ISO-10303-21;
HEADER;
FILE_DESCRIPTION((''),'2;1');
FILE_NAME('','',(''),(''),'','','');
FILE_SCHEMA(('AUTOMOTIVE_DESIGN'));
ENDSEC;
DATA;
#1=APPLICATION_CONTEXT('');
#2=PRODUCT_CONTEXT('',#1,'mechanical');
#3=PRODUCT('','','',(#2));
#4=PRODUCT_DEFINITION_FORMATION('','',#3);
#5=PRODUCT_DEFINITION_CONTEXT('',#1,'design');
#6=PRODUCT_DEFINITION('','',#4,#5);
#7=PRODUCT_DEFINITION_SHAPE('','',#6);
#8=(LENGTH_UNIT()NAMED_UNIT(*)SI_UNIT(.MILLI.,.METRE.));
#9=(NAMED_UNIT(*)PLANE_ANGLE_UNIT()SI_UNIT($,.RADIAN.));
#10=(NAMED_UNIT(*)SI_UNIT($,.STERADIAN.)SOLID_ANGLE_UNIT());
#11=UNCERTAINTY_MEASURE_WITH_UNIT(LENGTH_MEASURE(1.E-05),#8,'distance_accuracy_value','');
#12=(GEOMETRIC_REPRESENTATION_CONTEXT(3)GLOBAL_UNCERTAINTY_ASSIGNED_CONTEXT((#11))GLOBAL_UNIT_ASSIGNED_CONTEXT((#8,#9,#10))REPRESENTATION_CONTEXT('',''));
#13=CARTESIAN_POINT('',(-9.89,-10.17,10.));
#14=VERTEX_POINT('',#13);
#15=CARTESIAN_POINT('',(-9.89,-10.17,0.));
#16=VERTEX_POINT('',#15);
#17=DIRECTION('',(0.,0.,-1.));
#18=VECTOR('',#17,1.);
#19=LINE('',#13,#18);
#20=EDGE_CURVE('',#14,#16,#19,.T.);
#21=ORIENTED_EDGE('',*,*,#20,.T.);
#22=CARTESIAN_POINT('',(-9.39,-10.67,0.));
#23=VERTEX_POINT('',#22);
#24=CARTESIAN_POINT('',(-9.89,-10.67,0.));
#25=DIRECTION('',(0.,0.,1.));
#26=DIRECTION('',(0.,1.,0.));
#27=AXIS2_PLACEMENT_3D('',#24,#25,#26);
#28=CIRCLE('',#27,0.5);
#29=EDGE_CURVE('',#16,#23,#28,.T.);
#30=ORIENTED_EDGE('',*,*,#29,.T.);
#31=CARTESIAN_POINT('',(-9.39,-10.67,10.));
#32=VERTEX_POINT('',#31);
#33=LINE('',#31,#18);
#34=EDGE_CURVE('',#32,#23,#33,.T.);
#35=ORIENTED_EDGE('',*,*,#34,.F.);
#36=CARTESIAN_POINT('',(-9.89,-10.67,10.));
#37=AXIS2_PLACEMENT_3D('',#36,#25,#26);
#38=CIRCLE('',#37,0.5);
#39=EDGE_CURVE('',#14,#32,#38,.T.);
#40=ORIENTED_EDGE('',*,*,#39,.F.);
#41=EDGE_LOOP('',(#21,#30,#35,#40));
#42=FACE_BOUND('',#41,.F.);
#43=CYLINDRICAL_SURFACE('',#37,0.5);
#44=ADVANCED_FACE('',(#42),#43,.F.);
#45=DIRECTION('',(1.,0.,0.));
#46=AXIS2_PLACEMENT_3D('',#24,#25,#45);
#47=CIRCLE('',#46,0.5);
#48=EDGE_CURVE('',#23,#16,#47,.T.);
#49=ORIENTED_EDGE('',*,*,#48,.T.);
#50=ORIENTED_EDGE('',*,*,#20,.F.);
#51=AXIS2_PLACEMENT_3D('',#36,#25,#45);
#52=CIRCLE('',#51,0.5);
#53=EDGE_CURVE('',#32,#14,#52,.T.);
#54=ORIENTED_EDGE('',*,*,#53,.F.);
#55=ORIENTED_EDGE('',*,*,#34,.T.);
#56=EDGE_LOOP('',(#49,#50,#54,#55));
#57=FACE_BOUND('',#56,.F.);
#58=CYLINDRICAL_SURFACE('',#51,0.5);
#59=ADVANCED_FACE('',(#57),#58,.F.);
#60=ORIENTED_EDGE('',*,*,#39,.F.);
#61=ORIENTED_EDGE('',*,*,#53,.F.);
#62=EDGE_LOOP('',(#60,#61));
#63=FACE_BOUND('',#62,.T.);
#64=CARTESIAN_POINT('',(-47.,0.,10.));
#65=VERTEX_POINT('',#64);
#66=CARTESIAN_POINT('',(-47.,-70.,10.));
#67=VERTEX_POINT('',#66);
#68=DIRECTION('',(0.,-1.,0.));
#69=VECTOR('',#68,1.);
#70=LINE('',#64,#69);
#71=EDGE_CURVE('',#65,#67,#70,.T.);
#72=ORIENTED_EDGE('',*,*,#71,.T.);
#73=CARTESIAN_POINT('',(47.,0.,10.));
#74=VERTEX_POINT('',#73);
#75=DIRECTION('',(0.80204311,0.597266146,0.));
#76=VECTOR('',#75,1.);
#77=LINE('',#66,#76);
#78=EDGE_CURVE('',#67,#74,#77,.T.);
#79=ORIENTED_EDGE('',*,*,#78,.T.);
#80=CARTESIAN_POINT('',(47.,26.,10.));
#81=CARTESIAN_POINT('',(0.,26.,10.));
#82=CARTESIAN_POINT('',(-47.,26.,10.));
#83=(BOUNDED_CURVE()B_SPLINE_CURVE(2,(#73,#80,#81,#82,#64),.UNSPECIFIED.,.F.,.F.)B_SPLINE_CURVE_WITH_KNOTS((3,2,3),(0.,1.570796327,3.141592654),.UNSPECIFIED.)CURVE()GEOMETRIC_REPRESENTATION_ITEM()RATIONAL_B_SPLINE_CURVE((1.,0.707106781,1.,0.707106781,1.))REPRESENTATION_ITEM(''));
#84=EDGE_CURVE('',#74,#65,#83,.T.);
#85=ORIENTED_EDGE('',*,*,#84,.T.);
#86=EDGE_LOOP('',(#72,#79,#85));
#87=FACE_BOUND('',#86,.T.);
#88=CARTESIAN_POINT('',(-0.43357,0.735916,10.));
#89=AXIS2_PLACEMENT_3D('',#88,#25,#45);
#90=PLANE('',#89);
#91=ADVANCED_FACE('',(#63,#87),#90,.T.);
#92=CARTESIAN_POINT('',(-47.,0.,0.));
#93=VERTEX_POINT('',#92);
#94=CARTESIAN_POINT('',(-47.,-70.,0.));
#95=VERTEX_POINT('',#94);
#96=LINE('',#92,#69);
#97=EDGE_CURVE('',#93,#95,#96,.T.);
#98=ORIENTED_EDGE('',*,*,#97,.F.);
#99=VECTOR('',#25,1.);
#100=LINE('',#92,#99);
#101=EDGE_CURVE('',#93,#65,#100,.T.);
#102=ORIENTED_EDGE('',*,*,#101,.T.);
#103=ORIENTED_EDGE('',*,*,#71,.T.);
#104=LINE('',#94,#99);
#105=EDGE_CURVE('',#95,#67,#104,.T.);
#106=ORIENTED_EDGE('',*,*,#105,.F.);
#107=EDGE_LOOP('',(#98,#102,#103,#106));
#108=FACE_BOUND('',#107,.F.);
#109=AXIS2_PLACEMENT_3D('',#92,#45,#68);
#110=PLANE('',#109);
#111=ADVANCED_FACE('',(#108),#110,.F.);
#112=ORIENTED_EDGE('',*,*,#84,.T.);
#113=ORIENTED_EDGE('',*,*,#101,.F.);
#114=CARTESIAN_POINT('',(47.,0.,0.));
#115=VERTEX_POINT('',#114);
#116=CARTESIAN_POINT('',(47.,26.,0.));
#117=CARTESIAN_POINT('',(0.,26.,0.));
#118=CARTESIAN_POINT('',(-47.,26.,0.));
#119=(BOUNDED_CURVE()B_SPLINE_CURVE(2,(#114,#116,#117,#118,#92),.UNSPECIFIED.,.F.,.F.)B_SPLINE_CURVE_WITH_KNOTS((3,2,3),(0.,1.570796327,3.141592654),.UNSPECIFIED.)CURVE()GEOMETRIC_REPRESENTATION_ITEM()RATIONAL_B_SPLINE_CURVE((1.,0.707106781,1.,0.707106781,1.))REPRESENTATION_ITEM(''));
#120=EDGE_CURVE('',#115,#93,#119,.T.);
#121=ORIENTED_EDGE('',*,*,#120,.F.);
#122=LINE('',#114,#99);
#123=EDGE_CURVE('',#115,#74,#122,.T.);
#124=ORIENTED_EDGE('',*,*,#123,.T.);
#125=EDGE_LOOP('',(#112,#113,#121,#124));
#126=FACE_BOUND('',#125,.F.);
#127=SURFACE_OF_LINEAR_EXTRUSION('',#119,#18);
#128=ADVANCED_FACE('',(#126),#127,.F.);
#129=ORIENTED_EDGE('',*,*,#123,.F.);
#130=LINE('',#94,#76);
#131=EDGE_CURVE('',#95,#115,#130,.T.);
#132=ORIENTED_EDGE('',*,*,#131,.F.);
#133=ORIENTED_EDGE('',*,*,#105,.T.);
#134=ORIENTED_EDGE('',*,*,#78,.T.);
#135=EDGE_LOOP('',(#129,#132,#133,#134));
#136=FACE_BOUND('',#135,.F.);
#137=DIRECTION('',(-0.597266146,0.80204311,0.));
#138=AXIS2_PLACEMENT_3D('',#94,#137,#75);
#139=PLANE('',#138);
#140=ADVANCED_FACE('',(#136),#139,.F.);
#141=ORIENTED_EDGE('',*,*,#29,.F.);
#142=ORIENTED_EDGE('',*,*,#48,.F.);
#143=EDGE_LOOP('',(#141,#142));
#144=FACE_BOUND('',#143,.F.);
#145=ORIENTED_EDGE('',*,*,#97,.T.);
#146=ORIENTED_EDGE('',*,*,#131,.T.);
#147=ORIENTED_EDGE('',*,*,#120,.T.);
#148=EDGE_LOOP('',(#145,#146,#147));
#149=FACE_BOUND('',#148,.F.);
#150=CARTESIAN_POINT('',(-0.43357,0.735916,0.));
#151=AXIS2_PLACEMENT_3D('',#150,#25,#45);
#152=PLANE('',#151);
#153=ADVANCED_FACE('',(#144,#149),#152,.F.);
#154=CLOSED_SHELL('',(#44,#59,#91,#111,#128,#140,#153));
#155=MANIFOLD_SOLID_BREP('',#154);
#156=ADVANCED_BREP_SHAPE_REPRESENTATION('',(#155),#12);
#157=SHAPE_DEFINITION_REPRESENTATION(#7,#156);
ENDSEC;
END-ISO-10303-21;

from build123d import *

# Parameters (mm, degrees)
F1_DEPTH = 10
F3_DEPTH = 10.0010001


with BuildPart() as f1:
    # F0 (on Top) → F1 (new body)
    with BuildSketch(Plane.XY):
        with BuildLine():
            Line((13.5733824303, -24.89216202), (47, 0))
            add(Edge.make_bspline(
                [(47, 0), (47, 26.0000000061), (-1.1e-08, 26), (-47.0000000221, 25.9999999939), (-47, -1.22e-08)],
                knots=[0, 0, 0, 1.570796327, 1.570796327, 3.1415926541, 3.1415926541, 3.1415926541], degree=2, weights=[1, 0.7071067811, 1, 0.7071067811, 1]))
            add(Edge.make_bspline(
                [(-47, -1.22e-08), (-46.9999999703, -34.999999995), (13.5733824303, -24.89216202)],
                knots=[3.1415926541, 3.1415926541, 3.1415926541, 5.0053573372, 5.0053573372, 5.0053573372], degree=2, weights=[1, 0.5963240015, 1]))
        make_face()
        with BuildLine():
            add(Edge.make_bspline(
                [(-47, -1.22e-08), (-46.9999999703, -34.999999995), (13.5733824303, -24.89216202)],
                knots=[3.1415926541, 3.1415926541, 3.1415926541, 5.0053573372, 5.0053573372, 5.0053573372], degree=2, weights=[1, 0.5963240015, 1]))
            Line((-47, -1.22e-08), (-47, -70))
            Line((-47, -70), (13.5733824303, -24.89216202))
        make_face()
    extrude(amount=F1_DEPTH)

    # F2 (on face) → F3 (cut, through all)
    with BuildSketch(Plane.XY.offset(10)):
        with BuildLine():
            ThreePointArc((-9.89, -10.17), (-10.2435533906, -11.0235533906), (-9.39, -10.67))
            ThreePointArc((-9.39, -10.67), (-9.5364466094, -10.3164466094), (-9.89, -10.17))
        make_face()
    extrude(amount=-F3_DEPTH, mode=Mode.SUBTRACT)


solid = f1.part
